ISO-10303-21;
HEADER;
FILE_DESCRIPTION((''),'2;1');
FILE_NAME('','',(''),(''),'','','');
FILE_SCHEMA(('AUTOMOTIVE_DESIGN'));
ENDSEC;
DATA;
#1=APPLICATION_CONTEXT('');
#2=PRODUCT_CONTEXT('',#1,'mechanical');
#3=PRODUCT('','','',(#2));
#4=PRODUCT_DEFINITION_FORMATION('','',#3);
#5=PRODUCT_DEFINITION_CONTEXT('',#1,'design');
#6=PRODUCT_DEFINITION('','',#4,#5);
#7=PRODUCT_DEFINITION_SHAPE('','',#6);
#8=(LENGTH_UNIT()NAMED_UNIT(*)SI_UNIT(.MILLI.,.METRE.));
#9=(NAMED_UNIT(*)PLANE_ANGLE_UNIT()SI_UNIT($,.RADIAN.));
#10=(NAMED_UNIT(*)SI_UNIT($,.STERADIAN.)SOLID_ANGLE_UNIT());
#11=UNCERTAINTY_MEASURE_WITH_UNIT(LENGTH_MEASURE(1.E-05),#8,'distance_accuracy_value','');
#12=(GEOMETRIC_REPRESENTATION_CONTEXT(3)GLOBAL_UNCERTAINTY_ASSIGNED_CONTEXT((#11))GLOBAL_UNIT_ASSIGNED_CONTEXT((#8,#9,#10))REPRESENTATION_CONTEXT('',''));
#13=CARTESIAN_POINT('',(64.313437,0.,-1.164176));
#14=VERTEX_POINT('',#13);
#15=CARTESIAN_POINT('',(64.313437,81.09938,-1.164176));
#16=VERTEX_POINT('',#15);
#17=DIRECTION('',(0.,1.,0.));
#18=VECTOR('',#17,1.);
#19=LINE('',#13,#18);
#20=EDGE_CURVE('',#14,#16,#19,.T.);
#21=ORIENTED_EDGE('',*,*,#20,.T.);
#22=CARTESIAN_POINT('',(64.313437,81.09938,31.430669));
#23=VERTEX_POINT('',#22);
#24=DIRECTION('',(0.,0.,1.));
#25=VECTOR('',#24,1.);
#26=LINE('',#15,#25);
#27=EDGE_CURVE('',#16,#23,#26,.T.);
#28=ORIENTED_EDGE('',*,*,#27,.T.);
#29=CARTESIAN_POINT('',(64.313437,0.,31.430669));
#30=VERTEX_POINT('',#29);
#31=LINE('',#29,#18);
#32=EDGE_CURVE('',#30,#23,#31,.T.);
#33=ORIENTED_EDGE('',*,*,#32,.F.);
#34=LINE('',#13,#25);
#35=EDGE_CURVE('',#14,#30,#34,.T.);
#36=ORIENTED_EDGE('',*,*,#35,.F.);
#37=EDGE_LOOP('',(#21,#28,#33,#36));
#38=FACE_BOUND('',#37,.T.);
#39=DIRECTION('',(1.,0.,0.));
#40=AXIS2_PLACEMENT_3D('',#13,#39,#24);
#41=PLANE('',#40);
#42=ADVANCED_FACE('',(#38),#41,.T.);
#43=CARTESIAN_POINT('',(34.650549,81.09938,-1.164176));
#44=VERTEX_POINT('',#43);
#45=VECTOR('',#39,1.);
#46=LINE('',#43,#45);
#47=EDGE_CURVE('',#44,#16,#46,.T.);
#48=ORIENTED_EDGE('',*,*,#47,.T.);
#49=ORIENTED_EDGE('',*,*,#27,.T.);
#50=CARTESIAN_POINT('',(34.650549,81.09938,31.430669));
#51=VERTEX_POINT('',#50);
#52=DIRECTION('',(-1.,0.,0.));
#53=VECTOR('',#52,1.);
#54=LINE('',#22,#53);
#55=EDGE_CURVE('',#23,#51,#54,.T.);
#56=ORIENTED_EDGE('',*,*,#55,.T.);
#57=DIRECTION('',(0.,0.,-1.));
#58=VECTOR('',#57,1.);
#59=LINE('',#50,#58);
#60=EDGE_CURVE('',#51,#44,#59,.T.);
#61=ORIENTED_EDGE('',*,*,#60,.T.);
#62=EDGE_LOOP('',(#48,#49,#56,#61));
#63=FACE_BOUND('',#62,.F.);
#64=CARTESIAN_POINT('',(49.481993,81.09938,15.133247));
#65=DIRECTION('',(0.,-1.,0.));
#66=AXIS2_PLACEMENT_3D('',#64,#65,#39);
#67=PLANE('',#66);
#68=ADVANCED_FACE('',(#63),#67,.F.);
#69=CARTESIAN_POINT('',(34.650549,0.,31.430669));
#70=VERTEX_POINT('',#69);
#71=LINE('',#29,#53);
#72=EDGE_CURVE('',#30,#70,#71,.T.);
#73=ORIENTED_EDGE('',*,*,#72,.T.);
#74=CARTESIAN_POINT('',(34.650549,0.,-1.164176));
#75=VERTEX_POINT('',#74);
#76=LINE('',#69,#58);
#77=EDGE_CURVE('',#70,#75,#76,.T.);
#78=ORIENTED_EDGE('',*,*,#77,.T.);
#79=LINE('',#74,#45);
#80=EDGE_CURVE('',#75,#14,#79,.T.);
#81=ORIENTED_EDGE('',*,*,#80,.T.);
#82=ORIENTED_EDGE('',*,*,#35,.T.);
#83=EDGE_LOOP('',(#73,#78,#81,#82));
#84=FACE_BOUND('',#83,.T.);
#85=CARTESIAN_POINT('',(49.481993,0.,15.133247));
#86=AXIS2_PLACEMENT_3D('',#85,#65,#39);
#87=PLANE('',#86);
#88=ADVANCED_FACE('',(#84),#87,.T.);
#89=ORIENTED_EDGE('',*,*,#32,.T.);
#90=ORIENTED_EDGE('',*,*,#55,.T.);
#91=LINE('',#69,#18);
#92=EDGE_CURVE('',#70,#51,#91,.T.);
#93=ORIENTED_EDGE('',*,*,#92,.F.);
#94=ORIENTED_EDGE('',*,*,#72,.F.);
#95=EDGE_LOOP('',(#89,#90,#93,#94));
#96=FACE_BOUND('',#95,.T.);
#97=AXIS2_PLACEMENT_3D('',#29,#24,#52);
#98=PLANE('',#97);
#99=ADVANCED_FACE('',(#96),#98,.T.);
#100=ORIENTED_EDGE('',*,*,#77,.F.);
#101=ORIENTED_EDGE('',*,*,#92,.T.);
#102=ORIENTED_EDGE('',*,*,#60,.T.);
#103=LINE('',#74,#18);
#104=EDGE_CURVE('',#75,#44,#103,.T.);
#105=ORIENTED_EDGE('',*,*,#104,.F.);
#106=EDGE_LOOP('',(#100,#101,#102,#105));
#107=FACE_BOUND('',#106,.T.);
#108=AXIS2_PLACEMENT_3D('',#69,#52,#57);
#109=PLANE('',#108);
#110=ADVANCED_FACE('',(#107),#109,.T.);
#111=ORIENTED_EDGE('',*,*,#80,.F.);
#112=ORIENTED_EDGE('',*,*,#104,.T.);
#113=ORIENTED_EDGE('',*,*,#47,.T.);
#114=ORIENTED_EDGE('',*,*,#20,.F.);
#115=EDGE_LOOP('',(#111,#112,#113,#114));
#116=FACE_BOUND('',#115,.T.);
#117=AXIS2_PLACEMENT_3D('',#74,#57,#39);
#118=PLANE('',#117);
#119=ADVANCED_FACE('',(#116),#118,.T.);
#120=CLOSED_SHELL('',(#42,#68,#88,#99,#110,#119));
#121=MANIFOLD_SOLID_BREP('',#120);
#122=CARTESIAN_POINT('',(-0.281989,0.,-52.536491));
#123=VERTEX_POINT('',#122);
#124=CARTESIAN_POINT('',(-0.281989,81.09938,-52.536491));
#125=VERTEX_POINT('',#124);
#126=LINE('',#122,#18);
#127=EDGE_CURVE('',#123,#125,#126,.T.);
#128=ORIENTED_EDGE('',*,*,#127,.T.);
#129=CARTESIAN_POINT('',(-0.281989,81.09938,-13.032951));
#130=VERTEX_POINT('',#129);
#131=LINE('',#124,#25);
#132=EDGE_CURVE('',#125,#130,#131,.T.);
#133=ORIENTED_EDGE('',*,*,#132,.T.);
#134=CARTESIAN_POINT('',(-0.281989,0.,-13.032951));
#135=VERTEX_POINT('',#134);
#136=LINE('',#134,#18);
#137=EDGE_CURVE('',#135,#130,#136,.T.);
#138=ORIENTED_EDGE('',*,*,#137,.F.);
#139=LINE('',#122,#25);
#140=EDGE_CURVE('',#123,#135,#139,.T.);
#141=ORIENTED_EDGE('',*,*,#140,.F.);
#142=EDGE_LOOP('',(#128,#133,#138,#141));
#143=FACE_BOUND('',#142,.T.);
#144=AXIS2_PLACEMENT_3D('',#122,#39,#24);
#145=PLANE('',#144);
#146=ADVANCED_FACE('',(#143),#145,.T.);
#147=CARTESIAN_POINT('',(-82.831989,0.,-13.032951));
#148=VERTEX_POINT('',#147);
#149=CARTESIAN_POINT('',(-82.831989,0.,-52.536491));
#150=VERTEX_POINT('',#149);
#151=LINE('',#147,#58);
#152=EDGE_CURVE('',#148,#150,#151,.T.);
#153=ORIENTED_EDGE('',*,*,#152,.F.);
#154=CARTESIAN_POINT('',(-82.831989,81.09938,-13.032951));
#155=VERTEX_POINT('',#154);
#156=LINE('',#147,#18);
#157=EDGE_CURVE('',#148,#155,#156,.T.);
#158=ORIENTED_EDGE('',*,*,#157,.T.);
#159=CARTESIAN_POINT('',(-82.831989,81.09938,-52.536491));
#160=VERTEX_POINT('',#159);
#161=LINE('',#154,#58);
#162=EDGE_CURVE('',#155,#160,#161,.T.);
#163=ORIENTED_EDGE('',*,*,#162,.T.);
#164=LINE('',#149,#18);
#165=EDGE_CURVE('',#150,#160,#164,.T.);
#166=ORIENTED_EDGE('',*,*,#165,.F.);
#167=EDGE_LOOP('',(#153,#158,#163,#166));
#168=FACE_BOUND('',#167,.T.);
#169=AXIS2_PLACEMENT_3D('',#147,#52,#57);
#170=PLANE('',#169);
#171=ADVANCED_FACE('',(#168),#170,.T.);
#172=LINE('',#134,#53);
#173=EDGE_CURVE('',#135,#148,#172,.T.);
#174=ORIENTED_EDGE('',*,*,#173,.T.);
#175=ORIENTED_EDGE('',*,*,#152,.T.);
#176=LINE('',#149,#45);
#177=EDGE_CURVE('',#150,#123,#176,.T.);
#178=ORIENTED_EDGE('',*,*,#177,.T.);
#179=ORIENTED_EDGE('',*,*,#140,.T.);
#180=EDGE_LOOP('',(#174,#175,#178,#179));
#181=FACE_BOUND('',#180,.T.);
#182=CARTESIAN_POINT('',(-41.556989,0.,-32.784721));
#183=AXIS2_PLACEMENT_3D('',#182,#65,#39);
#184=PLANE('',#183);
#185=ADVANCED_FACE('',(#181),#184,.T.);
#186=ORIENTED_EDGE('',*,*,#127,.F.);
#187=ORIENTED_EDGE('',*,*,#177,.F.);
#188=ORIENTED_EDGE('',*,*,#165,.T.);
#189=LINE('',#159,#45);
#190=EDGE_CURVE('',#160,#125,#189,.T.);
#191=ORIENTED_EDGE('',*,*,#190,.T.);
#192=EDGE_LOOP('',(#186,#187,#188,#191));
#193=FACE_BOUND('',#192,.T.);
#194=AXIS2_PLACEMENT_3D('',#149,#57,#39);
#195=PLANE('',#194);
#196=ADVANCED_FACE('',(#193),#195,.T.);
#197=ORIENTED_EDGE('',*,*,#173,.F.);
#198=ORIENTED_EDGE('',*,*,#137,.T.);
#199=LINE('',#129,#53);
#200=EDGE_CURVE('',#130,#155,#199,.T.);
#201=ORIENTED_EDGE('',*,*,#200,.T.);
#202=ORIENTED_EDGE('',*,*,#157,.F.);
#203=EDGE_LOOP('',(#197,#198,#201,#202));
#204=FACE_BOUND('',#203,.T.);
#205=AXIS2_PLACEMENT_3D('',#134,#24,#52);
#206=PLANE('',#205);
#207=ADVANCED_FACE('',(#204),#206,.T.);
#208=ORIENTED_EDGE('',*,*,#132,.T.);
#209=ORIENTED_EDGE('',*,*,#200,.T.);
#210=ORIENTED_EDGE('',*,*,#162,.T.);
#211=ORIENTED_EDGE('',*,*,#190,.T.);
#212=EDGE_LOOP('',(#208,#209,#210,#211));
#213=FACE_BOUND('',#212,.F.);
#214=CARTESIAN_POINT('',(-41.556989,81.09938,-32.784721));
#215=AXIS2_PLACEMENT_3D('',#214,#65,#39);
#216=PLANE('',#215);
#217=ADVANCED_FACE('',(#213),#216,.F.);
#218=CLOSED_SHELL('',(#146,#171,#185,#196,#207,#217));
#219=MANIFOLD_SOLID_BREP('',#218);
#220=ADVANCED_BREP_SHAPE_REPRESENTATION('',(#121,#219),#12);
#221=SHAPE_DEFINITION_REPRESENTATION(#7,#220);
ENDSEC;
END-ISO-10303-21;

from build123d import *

# Parameters (mm, degrees)
F1_DEPTH = 81.09938


with BuildPart() as f1:
    # F0 (on Front) → F1 (new body)
    with BuildSketch(Plane.XZ):
        Polygon((-82.831989, -52.536491), (-0.281989, -52.536491), (-0.281989, -13.032951), (-16.288898, -13.032951), (-82.831989, -13.032951), align=None)
        Polygon((34.650549, 31.430669), (34.650549, 25.853898), (34.650549, 9.846989), (34.650549, -1.164176), (64.313437, -1.164176), (64.313437, 31.430669), align=None)
    extrude(amount=-F1_DEPTH)


solid = f1.part
